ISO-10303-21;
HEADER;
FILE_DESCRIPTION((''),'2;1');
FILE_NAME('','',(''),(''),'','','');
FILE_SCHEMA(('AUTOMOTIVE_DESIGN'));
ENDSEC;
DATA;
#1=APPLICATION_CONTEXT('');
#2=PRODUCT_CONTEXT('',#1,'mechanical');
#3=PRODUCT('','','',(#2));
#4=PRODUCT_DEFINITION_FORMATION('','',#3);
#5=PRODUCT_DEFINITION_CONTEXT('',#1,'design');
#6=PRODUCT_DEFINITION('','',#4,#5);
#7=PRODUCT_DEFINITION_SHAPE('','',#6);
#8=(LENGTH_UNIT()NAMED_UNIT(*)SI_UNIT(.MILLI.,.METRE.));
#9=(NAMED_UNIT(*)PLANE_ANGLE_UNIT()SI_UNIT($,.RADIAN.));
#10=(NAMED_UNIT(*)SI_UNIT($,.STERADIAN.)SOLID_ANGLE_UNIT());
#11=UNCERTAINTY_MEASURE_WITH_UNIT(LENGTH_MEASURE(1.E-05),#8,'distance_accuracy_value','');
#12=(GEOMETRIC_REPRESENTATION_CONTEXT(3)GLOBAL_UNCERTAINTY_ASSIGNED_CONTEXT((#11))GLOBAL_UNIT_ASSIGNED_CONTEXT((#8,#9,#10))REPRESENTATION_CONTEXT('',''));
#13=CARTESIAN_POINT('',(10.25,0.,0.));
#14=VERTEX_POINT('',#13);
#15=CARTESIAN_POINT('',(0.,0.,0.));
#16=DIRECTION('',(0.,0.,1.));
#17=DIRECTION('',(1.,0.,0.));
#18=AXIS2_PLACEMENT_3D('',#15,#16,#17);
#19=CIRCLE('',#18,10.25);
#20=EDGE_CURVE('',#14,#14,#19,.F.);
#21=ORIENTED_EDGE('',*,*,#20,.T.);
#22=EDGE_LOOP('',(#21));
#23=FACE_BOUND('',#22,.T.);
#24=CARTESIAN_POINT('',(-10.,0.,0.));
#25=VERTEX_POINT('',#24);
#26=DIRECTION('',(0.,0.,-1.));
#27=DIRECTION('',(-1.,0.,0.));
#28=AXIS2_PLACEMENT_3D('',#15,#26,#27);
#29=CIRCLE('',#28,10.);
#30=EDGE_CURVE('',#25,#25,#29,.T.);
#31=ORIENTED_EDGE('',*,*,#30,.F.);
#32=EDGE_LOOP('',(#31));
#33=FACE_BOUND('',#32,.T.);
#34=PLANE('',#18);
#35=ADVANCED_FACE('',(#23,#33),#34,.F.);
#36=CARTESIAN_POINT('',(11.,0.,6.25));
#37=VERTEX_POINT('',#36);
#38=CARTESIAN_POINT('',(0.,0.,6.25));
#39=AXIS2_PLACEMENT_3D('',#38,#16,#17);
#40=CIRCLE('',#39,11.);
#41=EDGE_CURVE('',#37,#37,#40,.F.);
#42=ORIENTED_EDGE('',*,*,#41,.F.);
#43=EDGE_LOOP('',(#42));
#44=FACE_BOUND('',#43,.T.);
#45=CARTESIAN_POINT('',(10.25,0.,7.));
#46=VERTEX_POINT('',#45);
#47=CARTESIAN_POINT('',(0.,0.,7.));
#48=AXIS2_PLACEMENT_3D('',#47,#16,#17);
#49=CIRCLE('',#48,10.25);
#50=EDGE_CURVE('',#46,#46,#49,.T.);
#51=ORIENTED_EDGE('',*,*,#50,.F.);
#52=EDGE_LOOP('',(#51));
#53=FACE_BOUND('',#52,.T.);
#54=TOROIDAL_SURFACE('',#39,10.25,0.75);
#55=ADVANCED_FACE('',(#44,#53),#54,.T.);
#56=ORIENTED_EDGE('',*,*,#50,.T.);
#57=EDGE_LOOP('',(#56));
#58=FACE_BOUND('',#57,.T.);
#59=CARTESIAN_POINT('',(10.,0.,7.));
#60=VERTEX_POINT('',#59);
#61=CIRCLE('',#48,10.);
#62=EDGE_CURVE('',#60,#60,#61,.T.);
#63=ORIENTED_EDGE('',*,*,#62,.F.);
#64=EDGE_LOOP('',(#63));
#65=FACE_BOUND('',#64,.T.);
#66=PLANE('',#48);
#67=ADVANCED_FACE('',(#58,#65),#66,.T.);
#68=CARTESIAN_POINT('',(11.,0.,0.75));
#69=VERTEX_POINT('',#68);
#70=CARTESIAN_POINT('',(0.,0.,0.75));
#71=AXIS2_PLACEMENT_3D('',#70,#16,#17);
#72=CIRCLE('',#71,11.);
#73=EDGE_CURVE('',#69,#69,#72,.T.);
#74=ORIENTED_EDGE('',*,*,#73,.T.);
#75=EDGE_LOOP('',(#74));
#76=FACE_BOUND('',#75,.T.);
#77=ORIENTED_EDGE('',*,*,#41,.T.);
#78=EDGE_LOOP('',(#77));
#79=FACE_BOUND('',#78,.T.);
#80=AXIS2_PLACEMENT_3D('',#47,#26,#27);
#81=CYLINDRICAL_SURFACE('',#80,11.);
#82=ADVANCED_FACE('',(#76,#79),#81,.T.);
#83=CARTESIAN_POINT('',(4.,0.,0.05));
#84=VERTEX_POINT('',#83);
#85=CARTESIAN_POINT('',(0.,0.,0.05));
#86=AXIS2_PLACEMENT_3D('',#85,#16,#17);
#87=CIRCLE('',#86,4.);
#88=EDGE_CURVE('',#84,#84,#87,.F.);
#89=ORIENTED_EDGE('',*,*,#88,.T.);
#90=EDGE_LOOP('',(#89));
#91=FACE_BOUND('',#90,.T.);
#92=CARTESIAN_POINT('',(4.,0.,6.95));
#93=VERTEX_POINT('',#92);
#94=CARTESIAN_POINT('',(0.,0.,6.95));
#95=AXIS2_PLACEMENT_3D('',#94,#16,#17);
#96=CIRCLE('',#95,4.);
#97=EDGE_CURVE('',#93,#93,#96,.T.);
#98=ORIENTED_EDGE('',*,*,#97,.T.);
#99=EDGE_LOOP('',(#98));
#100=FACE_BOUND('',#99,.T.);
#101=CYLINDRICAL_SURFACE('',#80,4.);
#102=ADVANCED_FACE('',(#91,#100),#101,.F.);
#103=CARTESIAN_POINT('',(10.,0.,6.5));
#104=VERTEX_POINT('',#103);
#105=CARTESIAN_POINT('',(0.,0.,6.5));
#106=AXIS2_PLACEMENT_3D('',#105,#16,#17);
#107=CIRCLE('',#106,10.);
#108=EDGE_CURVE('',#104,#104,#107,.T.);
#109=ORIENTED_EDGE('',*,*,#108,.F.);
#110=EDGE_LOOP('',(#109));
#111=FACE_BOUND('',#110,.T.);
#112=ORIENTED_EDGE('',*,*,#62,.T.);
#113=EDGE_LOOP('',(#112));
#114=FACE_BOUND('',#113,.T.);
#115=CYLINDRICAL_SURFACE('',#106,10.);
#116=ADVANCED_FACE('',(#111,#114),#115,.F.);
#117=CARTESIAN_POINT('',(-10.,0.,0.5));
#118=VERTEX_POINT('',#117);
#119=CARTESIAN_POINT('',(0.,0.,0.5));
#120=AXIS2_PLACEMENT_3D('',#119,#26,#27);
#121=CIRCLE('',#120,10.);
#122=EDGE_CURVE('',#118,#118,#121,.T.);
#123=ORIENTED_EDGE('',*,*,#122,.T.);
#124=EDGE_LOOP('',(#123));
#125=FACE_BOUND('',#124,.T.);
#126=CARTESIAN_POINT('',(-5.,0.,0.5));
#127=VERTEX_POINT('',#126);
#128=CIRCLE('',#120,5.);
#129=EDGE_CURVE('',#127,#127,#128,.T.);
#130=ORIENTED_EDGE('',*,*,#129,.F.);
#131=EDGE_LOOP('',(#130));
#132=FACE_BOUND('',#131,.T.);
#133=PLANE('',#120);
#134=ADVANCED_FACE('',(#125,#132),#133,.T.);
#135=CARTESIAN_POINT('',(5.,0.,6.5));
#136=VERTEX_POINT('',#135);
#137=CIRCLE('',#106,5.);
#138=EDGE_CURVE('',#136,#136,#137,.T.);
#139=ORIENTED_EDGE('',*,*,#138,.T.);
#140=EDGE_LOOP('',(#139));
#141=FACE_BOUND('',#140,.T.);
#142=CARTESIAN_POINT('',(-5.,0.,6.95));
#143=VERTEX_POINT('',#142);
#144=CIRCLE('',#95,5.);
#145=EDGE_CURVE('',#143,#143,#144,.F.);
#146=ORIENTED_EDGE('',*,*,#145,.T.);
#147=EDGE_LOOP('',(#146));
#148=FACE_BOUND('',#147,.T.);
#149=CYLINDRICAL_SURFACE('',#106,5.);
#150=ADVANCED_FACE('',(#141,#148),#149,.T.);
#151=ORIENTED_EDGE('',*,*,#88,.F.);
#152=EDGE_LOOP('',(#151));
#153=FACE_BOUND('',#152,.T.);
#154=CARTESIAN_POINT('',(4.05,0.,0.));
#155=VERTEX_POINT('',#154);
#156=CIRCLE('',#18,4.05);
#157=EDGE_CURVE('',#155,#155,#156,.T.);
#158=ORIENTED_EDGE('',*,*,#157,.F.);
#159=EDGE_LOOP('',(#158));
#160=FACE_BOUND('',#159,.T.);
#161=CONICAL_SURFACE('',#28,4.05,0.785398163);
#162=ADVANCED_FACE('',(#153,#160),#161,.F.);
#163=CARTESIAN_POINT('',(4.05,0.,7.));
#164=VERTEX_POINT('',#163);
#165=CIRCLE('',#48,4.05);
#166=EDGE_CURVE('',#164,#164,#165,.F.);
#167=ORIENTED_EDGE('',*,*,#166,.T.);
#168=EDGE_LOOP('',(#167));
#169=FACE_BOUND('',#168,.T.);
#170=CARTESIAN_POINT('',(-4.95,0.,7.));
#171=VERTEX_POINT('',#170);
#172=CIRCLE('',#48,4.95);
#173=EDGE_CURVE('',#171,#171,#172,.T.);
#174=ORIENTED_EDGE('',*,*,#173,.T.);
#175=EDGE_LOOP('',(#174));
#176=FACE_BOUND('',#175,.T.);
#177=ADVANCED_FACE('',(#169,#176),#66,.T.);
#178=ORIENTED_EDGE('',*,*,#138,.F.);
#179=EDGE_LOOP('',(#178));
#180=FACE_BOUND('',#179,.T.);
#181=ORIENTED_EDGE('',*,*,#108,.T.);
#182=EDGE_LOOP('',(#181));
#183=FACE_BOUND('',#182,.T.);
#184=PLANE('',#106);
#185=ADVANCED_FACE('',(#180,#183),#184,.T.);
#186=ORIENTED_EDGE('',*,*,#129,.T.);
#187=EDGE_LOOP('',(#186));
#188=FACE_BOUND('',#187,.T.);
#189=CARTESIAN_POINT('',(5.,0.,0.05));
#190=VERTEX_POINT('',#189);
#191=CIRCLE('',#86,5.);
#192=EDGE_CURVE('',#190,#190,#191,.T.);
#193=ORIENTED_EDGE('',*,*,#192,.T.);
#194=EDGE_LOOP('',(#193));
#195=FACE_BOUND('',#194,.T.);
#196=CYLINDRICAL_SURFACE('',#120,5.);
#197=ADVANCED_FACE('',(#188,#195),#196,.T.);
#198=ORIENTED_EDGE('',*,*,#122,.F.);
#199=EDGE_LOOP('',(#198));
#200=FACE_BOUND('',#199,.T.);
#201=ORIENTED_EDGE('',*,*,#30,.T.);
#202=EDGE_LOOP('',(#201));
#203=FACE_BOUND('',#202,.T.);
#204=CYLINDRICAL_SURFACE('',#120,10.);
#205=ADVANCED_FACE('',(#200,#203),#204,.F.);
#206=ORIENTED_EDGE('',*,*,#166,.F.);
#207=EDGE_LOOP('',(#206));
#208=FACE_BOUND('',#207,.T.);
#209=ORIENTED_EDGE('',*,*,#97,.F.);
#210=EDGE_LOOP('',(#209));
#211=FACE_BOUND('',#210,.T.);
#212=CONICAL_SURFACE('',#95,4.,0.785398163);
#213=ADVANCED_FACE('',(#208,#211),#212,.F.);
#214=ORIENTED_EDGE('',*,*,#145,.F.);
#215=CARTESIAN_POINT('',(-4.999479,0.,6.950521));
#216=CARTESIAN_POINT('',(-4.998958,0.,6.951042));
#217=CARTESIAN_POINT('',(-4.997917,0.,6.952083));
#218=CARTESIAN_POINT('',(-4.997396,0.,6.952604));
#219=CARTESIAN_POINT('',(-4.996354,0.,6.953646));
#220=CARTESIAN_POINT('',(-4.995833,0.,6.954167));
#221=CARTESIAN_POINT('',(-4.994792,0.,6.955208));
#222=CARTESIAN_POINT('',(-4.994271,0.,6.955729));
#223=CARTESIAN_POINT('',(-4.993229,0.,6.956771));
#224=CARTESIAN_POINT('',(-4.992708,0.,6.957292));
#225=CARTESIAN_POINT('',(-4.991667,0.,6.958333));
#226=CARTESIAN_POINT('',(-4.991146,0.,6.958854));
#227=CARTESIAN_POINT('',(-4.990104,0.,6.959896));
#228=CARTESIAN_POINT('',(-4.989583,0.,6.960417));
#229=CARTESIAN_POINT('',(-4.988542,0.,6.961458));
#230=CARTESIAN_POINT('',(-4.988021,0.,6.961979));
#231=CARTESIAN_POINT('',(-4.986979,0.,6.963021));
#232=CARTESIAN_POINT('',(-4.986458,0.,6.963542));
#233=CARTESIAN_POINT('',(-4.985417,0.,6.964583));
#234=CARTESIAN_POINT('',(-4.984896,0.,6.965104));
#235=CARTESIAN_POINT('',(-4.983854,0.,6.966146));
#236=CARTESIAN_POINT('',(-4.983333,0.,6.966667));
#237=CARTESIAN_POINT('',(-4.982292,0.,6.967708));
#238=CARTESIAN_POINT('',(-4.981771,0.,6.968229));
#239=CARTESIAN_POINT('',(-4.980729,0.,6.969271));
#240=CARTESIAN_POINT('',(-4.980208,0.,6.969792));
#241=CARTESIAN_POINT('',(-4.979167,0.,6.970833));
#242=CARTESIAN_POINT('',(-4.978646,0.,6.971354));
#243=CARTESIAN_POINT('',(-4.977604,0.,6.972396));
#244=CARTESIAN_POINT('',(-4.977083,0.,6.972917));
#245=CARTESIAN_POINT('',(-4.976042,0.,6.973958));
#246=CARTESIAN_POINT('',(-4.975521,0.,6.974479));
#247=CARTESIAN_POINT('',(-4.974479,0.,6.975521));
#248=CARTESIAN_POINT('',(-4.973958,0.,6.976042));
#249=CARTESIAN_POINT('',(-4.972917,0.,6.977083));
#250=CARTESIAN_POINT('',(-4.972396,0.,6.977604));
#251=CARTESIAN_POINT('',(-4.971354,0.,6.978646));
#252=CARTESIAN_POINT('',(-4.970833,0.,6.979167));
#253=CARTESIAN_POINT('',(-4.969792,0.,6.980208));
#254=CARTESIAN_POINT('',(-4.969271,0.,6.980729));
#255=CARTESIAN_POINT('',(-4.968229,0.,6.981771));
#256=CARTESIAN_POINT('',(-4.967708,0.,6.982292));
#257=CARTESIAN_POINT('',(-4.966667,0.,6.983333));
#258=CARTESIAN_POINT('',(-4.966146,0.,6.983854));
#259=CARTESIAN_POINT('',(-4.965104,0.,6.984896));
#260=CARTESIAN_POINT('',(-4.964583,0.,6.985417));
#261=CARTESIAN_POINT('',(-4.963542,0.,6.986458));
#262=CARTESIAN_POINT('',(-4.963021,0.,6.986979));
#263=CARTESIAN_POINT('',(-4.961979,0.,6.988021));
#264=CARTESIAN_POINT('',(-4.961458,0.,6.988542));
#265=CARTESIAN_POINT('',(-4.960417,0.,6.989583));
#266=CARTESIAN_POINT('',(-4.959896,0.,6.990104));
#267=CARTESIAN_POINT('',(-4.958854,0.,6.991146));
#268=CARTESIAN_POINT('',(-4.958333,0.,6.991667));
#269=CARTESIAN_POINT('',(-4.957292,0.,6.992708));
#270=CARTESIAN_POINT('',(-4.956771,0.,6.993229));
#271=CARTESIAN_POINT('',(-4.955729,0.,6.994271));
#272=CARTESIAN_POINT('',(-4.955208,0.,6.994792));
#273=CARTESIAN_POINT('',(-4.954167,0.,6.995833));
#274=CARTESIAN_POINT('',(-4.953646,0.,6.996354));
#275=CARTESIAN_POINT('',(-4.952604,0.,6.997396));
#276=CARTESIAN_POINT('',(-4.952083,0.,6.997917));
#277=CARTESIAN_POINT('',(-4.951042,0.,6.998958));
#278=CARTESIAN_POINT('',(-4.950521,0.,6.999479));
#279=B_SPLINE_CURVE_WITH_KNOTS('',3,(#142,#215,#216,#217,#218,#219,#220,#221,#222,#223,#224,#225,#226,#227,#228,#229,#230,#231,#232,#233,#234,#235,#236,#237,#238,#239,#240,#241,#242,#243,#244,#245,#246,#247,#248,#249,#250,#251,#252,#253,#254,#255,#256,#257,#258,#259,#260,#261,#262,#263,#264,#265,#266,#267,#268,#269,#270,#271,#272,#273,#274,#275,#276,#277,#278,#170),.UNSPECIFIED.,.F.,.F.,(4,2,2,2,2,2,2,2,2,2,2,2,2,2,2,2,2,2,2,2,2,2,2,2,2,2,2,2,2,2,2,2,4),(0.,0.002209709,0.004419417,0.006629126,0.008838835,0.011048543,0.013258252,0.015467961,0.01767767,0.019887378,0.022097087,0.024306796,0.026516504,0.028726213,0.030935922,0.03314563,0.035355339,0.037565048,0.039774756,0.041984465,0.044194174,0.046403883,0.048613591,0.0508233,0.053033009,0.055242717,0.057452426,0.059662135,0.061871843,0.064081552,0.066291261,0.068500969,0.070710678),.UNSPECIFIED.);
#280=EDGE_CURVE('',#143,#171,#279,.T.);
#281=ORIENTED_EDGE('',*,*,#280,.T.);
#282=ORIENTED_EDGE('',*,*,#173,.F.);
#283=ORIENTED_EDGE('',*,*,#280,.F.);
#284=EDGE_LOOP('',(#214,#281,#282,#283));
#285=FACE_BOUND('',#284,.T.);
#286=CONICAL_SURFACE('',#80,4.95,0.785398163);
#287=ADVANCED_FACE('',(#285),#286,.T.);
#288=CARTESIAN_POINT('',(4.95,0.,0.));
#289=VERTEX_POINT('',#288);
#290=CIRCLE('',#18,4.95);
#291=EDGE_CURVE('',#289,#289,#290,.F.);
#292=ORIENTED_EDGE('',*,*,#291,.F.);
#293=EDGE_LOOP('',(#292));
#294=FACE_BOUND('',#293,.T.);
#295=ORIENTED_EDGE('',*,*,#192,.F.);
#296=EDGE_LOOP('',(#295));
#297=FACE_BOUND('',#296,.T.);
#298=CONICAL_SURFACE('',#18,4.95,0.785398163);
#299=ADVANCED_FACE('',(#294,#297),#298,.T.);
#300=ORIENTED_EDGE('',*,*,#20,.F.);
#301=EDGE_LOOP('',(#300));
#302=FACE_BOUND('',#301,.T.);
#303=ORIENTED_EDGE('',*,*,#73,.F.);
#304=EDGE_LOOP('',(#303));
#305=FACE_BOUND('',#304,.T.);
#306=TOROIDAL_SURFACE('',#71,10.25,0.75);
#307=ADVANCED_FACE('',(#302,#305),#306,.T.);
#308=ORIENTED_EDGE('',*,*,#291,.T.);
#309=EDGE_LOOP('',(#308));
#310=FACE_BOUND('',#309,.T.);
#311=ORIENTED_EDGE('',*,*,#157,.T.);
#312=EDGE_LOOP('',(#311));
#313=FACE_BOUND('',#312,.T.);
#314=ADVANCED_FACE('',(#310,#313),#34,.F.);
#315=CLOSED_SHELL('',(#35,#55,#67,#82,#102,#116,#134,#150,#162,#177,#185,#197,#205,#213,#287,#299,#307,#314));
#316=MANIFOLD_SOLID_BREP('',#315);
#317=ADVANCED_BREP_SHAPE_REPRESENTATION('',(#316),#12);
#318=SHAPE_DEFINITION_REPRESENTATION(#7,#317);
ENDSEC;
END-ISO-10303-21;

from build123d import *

# Parameters (mm, degrees)
ESQUISSE1_R             = 11
ESQUISSE1_R_2           = 4
BOSS_EXTRU_1_DEPTH      = 7
ESQUISSE2_R             = 10
ESQUISSE2_R_2           = 5
ENL_V_MAT_EXTRU_1_DEPTH = 0.5
ENL_V_START             = -0.5
ESQUISSE3_R             = 10
ESQUISSE3_R_2           = 5
ENL_V_MAT_EXTRU_2_DEPTH = 0.5
CONG_1_R                = 0.75
CHANFREIN1_SIZE         = 0.05


with BuildPart() as part:
    # Esquisse1 → Boss.-Extru.1 (new body)
    with BuildSketch(Plane.XY):
        Circle(ESQUISSE1_R)
        Circle(ESQUISSE1_R_2, mode=Mode.SUBTRACT)
    extrude(amount=BOSS_EXTRU_1_DEPTH)

    # Esquisse2 → Enlèv. mat.-Extru.1 (cut)
    with BuildSketch(Plane.XY.offset(7)):
        Circle(ESQUISSE2_R)
        Circle(ESQUISSE2_R_2, mode=Mode.SUBTRACT)
    extrude(amount=-ENL_V_MAT_EXTRU_1_DEPTH, mode=Mode.SUBTRACT)

    # Esquisse3 → Enlèv. mat.-Extru.2 (cut)
    with BuildSketch(Plane(origin=(0, 0, 0), x_dir=(-1, 0, 0), z_dir=(0, 0, -1)).offset(ENL_V_START)):
        with Locations(Location((0, 0, 0), (0, 0, 180))):
            Circle(ESQUISSE3_R)
        with Locations(Location((0, 0, 0), (0, 0, 180))):
            Circle(ESQUISSE3_R_2, mode=Mode.SUBTRACT)
    extrude(amount=ENL_V_MAT_EXTRU_2_DEPTH, mode=Mode.SUBTRACT)

    # Congé1
    cong_1_edges = [part.edges().sort_by_distance(p)[0] for p in [
        (-11, 0, 0),
        (-11, 0, 7),
    ]]
    fillet(cong_1_edges, radius=CONG_1_R)

    # Chanfrein1
    chanfrein1_edges = [part.edges().sort_by_distance(p)[0] for p in [
        (-5, 0, 7),
        (-5, 0, 0),
        (-4, 0, 0),
        (-4, 0, 7),
    ]]
    chamfer(chanfrein1_edges, length=CHANFREIN1_SIZE)


solid = part.part
